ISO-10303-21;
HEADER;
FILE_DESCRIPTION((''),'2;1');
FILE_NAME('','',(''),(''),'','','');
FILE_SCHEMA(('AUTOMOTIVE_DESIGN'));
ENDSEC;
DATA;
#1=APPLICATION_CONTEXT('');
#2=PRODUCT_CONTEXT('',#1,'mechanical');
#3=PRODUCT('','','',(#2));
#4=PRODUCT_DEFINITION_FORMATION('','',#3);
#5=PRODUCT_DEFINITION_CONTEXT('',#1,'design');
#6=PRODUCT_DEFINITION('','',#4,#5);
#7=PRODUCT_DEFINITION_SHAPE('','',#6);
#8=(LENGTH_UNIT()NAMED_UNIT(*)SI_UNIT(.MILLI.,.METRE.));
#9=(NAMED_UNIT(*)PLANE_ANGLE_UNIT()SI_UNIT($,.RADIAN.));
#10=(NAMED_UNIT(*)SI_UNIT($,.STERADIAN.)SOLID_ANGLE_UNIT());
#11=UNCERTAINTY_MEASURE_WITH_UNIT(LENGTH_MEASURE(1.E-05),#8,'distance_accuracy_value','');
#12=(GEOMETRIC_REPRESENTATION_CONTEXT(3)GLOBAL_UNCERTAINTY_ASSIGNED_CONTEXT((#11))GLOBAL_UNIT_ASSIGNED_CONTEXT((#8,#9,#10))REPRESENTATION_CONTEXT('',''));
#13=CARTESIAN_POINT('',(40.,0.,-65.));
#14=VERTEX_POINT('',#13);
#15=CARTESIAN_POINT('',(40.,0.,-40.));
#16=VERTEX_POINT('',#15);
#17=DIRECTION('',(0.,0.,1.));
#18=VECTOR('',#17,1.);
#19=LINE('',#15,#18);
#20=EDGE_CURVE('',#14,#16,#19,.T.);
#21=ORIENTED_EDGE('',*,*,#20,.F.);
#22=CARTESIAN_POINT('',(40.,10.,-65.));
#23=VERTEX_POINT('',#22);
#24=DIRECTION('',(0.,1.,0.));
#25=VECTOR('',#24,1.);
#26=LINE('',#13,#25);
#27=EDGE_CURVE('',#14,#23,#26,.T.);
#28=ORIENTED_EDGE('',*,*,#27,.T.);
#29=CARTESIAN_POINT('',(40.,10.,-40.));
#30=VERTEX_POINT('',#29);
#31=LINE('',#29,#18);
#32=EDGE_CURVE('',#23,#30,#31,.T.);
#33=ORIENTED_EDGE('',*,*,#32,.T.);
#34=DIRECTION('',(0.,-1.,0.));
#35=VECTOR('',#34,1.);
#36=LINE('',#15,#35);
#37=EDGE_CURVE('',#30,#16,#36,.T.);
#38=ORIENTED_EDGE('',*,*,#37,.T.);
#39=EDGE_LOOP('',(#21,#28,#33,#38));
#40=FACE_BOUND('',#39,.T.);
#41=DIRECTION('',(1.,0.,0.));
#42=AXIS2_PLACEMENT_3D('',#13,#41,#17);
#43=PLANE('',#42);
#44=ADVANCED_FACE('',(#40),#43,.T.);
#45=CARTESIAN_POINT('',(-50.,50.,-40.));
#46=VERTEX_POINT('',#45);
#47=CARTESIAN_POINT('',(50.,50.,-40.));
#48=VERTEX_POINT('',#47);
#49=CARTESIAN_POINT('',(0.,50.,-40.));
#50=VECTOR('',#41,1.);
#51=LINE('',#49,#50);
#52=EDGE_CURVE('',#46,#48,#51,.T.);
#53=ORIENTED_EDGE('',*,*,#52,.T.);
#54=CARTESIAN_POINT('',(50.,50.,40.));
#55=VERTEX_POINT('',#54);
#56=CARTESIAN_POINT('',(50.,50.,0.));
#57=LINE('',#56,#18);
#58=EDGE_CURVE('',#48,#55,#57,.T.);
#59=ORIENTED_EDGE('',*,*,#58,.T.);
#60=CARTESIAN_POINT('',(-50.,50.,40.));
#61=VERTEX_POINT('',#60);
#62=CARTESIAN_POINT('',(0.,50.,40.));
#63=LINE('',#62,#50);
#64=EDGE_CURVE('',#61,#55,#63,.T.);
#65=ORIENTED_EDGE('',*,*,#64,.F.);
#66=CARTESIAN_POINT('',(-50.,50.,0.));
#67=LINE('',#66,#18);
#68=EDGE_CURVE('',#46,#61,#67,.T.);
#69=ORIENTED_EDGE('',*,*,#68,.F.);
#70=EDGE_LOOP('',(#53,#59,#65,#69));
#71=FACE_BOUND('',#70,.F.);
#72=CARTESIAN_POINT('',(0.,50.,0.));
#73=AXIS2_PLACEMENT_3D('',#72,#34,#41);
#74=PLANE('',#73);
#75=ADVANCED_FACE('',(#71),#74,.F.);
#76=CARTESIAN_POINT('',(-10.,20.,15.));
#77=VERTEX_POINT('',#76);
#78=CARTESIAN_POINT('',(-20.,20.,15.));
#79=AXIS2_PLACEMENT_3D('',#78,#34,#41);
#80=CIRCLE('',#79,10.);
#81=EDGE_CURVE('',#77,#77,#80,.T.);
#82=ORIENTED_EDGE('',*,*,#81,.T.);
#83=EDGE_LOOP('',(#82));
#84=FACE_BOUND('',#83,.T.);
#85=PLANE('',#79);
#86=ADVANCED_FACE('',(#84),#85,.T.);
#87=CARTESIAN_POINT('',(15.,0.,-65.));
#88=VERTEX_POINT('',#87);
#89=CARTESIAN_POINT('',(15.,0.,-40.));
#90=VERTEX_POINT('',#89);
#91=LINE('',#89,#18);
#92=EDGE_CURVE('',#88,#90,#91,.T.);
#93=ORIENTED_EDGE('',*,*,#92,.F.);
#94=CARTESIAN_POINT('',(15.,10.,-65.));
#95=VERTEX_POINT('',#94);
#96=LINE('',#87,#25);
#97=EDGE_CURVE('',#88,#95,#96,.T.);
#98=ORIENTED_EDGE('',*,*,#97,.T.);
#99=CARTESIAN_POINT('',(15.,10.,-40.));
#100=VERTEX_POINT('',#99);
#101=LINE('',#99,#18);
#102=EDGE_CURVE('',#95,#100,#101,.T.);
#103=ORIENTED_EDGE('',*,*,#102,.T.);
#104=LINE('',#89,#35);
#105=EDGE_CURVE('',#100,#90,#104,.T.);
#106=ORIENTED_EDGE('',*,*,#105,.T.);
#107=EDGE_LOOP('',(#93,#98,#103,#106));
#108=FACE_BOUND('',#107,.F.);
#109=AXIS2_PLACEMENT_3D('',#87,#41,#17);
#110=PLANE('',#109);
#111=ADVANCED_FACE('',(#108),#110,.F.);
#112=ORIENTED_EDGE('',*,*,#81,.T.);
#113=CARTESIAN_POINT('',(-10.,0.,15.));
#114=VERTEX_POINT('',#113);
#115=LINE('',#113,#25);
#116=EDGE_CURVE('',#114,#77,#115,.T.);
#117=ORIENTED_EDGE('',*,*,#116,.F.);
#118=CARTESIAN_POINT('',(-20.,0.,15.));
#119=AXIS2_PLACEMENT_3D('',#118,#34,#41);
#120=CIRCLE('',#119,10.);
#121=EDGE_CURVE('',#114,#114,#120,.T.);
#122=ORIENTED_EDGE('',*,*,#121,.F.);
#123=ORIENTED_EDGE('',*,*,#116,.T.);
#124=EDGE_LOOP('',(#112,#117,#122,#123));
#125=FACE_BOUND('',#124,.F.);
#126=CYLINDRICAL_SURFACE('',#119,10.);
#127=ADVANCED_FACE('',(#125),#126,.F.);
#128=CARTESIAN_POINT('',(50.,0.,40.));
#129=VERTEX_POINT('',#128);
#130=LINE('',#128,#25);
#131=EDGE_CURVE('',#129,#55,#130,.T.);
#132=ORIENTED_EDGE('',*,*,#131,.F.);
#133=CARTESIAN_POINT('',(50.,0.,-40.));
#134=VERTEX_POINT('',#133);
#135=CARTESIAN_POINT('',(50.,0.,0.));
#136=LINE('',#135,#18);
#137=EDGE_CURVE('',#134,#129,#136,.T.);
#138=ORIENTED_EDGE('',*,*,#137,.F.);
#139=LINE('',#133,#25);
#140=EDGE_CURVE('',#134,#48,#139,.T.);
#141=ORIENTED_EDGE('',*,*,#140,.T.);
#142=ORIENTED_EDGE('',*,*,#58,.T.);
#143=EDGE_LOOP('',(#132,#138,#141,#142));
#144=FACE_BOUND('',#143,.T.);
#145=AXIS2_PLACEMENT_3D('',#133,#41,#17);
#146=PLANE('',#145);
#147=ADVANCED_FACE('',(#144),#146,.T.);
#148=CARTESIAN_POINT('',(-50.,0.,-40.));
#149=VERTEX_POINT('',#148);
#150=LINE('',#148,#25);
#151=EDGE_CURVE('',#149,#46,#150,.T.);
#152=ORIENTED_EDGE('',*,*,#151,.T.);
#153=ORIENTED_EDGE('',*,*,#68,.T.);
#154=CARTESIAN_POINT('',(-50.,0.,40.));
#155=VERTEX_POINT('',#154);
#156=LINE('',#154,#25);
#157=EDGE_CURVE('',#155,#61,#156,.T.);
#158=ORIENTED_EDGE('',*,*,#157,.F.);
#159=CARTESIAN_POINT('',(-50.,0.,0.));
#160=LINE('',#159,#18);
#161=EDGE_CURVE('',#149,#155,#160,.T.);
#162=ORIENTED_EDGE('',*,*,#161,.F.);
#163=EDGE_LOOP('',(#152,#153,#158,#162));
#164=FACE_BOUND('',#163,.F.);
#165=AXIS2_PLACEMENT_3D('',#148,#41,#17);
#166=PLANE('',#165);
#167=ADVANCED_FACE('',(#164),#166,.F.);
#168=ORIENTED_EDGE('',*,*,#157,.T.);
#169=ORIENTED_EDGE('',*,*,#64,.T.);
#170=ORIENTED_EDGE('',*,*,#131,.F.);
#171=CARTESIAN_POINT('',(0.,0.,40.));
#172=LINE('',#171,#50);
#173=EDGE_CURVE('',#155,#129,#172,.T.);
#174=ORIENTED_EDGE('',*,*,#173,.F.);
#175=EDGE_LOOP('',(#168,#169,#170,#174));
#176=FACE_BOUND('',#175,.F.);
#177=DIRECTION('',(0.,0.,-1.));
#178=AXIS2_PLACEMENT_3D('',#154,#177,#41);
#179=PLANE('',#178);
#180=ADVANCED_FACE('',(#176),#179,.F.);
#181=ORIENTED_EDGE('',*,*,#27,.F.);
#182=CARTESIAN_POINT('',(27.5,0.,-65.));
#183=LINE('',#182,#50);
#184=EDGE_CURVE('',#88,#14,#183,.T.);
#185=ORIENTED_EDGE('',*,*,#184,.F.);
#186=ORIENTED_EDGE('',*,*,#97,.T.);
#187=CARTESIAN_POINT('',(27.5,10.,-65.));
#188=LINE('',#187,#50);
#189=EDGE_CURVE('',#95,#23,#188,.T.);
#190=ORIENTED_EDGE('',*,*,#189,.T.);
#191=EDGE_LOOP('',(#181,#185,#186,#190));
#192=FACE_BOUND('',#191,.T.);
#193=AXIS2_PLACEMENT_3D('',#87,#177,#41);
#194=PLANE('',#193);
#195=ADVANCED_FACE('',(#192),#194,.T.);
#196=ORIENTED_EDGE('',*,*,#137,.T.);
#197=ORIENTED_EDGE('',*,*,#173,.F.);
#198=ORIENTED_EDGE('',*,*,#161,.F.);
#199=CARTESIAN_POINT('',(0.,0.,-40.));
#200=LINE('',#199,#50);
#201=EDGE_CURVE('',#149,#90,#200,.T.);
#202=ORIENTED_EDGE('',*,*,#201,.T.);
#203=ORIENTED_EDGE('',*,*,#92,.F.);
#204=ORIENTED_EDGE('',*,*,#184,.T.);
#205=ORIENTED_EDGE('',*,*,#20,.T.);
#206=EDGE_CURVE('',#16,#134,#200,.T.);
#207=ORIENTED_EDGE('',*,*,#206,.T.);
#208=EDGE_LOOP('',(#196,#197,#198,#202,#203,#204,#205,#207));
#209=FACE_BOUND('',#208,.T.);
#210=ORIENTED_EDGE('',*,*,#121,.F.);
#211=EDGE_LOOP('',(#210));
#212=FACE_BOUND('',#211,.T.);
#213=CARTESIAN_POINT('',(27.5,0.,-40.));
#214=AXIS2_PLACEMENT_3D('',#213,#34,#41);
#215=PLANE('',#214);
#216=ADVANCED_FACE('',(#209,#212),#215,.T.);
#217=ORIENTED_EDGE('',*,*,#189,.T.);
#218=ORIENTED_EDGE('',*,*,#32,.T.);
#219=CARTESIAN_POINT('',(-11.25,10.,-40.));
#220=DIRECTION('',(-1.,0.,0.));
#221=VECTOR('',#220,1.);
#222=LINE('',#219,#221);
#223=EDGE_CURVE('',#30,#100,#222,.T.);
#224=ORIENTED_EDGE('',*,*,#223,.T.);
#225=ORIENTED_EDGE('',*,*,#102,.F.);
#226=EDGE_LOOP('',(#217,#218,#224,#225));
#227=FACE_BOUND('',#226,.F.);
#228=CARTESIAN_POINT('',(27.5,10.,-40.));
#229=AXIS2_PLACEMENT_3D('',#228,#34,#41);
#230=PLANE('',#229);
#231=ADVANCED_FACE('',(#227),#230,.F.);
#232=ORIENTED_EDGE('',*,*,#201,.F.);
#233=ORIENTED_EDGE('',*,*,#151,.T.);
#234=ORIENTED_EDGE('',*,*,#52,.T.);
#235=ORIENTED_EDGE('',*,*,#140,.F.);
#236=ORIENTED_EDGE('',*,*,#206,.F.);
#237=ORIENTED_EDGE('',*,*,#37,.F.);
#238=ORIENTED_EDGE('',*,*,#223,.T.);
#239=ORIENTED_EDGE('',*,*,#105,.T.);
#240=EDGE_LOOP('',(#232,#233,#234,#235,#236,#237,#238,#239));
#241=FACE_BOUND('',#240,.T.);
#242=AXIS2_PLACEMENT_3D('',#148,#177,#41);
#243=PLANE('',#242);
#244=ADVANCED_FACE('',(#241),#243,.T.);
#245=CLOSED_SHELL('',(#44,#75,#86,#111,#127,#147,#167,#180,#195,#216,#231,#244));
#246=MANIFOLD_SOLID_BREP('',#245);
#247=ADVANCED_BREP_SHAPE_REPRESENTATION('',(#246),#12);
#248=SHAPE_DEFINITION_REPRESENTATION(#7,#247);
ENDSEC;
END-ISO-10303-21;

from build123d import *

# Parameters (mm, degrees)
SKETCH001_W  = 100
SKETCH001_H  = 80
PAD_DEPTH    = 50
SKETCH_R     = 10
POCKET_DEPTH = 20
SKETCH002_W  = 25
SKETCH002_H  = 50
PAD001_DEPTH = 10


with BuildPart() as part:
    # Sketch001 → Pad (new body)
    with BuildSketch(Plane.XZ):
        Rectangle(SKETCH001_W, SKETCH001_H)
    extrude(amount=-PAD_DEPTH)

    # Sketch → Pocket (cut)
    with BuildSketch(Plane.XZ):
        with Locations((-20, 15)):
            Circle(SKETCH_R)
    extrude(amount=-POCKET_DEPTH, mode=Mode.SUBTRACT)

    # Sketch002 → Pad001 (join)
    with BuildSketch(Plane.XZ):
        with Locations((27.5, -40)):
            Rectangle(SKETCH002_W, SKETCH002_H)
    extrude(amount=-PAD001_DEPTH)


solid = part.part
